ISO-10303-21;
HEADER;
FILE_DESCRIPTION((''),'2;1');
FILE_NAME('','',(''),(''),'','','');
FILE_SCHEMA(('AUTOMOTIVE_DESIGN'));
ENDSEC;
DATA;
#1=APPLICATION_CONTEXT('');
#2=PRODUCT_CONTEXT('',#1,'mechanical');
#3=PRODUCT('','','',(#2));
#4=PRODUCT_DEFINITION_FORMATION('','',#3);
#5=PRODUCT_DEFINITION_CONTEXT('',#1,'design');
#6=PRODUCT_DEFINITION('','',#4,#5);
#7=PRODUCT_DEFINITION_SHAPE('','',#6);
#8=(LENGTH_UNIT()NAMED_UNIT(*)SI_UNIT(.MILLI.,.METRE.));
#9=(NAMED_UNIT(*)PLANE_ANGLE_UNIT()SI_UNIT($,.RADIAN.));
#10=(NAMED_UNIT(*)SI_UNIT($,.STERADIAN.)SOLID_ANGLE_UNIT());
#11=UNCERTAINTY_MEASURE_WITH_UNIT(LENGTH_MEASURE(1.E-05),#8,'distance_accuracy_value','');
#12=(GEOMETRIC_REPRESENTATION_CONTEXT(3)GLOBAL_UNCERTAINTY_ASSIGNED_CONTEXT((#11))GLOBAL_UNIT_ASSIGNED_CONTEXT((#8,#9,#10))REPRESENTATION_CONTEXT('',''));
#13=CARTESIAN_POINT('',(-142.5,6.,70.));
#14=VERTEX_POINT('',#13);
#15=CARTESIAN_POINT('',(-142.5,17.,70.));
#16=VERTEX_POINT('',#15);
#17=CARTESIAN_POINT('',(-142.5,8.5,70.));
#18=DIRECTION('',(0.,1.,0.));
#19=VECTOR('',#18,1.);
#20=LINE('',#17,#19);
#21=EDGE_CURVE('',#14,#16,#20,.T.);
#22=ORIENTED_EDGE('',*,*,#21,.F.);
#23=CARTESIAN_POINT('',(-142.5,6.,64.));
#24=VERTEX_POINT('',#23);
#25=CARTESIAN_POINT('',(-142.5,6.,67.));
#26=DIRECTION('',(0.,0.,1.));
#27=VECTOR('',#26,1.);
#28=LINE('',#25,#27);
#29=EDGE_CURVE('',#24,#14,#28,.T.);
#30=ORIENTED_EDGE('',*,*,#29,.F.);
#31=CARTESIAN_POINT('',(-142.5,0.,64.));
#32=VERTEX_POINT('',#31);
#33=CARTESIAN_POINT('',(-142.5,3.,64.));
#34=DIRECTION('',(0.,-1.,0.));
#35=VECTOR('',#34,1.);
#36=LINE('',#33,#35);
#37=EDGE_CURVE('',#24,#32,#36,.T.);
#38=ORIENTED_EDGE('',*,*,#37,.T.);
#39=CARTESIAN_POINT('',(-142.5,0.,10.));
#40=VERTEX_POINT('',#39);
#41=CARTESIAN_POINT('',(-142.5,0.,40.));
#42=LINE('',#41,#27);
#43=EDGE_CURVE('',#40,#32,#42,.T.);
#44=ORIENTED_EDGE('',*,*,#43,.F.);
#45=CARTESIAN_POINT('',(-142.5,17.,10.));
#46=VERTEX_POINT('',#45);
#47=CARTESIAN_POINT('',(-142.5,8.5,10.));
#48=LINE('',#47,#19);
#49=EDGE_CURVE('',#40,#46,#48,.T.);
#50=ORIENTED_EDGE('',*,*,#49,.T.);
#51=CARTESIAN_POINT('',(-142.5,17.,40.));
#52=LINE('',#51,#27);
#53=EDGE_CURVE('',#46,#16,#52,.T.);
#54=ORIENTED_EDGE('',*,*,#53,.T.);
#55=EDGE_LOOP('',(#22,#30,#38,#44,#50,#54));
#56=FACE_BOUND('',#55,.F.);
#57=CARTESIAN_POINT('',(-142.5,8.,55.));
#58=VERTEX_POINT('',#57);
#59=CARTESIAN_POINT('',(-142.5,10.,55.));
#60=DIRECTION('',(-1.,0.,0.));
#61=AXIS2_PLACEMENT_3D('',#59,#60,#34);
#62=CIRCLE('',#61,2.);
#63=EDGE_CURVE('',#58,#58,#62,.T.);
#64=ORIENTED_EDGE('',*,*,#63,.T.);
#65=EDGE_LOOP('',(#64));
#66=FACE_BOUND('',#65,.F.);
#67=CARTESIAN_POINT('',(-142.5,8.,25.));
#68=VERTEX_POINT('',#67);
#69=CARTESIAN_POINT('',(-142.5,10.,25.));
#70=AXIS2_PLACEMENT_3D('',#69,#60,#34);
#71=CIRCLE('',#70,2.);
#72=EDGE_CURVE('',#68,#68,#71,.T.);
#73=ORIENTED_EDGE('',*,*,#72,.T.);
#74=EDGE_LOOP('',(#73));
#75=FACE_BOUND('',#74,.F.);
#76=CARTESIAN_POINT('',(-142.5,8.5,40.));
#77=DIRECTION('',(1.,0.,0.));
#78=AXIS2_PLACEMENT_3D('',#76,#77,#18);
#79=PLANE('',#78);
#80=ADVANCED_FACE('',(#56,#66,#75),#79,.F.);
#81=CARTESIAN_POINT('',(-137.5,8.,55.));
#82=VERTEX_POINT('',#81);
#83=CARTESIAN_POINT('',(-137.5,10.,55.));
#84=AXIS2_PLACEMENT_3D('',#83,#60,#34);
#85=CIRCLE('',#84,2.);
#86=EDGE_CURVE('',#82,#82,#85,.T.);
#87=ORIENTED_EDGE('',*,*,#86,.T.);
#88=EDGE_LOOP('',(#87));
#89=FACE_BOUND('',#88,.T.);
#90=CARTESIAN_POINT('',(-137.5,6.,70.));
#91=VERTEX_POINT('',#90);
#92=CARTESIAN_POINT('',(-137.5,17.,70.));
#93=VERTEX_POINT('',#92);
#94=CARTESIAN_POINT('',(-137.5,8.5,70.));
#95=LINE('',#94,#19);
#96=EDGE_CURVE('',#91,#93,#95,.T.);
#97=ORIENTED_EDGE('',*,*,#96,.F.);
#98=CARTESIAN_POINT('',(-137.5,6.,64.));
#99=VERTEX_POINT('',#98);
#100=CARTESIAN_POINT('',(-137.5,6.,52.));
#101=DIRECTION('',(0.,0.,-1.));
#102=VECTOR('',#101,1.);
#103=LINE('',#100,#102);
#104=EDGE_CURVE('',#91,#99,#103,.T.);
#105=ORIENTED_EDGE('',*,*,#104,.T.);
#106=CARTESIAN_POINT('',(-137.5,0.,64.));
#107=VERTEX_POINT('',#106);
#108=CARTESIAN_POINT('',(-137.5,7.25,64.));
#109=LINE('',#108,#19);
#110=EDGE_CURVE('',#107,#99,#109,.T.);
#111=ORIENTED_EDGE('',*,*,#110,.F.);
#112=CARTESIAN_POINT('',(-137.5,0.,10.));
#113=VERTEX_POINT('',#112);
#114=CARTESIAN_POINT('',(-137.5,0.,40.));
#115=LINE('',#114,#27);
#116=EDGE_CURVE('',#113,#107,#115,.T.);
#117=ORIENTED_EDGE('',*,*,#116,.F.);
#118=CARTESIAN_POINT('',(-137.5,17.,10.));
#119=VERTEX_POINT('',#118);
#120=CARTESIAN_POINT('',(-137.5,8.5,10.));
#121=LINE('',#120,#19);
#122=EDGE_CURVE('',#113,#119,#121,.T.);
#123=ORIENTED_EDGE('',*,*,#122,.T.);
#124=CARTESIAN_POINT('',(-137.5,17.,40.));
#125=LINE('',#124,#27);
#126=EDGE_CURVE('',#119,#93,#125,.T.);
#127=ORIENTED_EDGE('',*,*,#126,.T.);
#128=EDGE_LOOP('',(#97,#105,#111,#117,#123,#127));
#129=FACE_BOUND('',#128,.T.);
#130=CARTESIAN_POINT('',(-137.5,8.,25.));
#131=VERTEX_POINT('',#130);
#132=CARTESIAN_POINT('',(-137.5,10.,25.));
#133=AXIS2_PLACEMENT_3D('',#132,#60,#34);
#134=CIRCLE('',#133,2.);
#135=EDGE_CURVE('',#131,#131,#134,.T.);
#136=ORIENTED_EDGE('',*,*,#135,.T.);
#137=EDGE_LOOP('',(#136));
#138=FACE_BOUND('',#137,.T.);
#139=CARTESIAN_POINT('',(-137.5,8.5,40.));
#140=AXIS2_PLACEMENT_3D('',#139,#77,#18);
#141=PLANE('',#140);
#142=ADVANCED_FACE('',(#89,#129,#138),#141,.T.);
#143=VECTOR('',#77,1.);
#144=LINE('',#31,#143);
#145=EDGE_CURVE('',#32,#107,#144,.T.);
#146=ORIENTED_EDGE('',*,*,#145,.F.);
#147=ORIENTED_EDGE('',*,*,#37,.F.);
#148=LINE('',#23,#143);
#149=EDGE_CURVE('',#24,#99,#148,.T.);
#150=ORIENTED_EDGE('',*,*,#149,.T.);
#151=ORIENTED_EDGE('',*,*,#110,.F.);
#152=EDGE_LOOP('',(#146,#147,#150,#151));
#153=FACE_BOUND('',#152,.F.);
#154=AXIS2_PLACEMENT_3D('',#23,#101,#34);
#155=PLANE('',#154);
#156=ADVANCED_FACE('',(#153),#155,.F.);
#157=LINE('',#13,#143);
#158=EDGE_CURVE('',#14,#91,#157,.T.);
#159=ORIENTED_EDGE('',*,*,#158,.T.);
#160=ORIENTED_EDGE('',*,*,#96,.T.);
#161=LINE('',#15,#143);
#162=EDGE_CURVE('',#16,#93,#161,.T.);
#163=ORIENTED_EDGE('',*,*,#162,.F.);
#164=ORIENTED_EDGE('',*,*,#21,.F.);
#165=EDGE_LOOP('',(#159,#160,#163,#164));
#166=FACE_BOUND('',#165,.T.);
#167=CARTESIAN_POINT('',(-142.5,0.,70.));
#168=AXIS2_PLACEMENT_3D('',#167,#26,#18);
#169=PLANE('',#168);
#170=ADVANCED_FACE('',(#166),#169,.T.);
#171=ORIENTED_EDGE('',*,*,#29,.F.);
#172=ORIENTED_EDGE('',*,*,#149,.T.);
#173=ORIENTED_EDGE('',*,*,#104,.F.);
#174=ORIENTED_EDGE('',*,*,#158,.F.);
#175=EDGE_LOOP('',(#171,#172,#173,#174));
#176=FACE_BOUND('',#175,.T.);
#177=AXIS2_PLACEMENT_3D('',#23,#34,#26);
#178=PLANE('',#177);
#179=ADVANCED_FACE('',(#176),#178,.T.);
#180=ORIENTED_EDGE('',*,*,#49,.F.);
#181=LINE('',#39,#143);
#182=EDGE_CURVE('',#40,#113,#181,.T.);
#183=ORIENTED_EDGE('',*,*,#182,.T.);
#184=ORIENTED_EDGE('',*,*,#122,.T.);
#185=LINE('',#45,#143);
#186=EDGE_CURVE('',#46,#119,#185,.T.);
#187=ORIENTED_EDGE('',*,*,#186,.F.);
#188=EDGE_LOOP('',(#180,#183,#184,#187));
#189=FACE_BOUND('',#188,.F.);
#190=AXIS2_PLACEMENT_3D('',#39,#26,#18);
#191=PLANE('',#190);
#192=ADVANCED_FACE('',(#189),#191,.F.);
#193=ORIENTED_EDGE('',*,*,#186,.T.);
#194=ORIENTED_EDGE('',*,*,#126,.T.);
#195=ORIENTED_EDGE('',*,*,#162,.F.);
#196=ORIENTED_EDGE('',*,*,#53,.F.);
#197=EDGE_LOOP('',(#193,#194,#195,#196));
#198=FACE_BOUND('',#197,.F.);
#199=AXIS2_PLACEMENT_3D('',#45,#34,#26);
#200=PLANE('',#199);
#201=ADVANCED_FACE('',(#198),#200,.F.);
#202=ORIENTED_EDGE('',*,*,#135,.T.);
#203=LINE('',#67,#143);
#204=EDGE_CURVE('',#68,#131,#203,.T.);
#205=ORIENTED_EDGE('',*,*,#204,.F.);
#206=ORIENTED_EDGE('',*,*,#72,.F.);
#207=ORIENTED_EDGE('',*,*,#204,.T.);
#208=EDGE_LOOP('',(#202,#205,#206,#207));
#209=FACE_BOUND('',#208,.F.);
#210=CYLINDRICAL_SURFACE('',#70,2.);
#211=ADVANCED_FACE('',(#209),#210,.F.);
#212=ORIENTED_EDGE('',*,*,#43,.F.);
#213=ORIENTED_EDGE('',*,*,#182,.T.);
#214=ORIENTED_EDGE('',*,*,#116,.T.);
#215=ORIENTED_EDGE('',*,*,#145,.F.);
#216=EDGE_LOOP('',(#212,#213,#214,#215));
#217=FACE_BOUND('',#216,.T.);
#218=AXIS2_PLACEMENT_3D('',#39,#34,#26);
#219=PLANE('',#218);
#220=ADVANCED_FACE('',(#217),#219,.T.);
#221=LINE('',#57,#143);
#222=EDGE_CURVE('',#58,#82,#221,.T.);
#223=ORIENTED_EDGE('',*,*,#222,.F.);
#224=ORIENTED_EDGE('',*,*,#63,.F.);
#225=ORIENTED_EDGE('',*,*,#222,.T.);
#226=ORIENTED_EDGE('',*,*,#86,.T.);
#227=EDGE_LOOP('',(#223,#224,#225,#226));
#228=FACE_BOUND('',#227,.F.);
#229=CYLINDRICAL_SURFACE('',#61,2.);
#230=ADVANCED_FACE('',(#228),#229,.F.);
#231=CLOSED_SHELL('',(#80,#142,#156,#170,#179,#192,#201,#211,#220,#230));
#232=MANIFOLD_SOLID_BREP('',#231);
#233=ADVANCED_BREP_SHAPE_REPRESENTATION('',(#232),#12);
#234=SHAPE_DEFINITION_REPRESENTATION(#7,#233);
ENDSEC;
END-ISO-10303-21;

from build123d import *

# Parameters (mm, degrees)
CIRCLE004_R      = 2
EXTRUDE090_DEPTH = 5
CIRCLE006_R      = 2
EXTRUDE091_DEPTH = 5
RECTANGLE063_W   = 6
RECTANGLE063_H   = 6
EXTRUDE077_DEPTH = 7.5
RECTANGLE003_W   = 17
RECTANGLE003_H   = 60
EXTRUDE002_DEPTH = 5


with BuildPart() as extrude090:
    # Circle004 → Extrude090 (new body)
    with BuildSketch(Plane(origin=(-140, 10, 55), x_dir=(0, -1, 0), z_dir=(-1, 0, 0))):
        Circle(CIRCLE004_R)
    extrude(amount=-EXTRUDE090_DEPTH)


with BuildPart() as extrude091:
    # Circle006 → Extrude091 (new body)
    with BuildSketch(Plane(origin=(-140, 10, 25), x_dir=(0, -1, 0), z_dir=(-1, 0, 0))):
        Circle(CIRCLE006_R)
    extrude(amount=-EXTRUDE091_DEPTH)


with BuildPart() as extrude077:
    # Rectangle063 → Extrude077 (new body)
    with BuildSketch(Plane(origin=(-250, 6, 64), x_dir=(0, -1, 0), z_dir=(-1, 0, 0))):
        with Locations((3, 3)):
            Rectangle(RECTANGLE063_W, RECTANGLE063_H)
    extrude(amount=-EXTRUDE077_DEPTH)


with BuildPart() as extrude077_1:
    # Extrude077 placement: moved
    add(extrude077.part.moved(Location((110, 0, 0))))


with BuildPart() as cut009:
    # Rectangle003 → Extrude002 (new body)
    with BuildSketch(Plane(origin=(0, 0, 10), x_dir=(0, 1, 0), z_dir=(1, 0, 0))):
        with Locations((8.5, 30)):
            Rectangle(RECTANGLE003_W, RECTANGLE003_H)
    extrude(amount=EXTRUDE002_DEPTH)


with BuildPart() as cut009_1:
    # Extrude002 placement: moved
    add(cut009.part.moved(Location((-140, 0, 0))))

    # Cut: cut Extrude077
    add(extrude077_1.part, mode=Mode.SUBTRACT)

    # Cut008: cut Extrude091
    add(extrude091.part, mode=Mode.SUBTRACT)

    # Cut009: cut Extrude090
    add(extrude090.part, mode=Mode.SUBTRACT)


with BuildPart() as cut009_2:
    # Cut009 placement: moved
    add(cut009_1.part.moved(Location((-2.5, 0, 0))))


solid = cut009_2.part
